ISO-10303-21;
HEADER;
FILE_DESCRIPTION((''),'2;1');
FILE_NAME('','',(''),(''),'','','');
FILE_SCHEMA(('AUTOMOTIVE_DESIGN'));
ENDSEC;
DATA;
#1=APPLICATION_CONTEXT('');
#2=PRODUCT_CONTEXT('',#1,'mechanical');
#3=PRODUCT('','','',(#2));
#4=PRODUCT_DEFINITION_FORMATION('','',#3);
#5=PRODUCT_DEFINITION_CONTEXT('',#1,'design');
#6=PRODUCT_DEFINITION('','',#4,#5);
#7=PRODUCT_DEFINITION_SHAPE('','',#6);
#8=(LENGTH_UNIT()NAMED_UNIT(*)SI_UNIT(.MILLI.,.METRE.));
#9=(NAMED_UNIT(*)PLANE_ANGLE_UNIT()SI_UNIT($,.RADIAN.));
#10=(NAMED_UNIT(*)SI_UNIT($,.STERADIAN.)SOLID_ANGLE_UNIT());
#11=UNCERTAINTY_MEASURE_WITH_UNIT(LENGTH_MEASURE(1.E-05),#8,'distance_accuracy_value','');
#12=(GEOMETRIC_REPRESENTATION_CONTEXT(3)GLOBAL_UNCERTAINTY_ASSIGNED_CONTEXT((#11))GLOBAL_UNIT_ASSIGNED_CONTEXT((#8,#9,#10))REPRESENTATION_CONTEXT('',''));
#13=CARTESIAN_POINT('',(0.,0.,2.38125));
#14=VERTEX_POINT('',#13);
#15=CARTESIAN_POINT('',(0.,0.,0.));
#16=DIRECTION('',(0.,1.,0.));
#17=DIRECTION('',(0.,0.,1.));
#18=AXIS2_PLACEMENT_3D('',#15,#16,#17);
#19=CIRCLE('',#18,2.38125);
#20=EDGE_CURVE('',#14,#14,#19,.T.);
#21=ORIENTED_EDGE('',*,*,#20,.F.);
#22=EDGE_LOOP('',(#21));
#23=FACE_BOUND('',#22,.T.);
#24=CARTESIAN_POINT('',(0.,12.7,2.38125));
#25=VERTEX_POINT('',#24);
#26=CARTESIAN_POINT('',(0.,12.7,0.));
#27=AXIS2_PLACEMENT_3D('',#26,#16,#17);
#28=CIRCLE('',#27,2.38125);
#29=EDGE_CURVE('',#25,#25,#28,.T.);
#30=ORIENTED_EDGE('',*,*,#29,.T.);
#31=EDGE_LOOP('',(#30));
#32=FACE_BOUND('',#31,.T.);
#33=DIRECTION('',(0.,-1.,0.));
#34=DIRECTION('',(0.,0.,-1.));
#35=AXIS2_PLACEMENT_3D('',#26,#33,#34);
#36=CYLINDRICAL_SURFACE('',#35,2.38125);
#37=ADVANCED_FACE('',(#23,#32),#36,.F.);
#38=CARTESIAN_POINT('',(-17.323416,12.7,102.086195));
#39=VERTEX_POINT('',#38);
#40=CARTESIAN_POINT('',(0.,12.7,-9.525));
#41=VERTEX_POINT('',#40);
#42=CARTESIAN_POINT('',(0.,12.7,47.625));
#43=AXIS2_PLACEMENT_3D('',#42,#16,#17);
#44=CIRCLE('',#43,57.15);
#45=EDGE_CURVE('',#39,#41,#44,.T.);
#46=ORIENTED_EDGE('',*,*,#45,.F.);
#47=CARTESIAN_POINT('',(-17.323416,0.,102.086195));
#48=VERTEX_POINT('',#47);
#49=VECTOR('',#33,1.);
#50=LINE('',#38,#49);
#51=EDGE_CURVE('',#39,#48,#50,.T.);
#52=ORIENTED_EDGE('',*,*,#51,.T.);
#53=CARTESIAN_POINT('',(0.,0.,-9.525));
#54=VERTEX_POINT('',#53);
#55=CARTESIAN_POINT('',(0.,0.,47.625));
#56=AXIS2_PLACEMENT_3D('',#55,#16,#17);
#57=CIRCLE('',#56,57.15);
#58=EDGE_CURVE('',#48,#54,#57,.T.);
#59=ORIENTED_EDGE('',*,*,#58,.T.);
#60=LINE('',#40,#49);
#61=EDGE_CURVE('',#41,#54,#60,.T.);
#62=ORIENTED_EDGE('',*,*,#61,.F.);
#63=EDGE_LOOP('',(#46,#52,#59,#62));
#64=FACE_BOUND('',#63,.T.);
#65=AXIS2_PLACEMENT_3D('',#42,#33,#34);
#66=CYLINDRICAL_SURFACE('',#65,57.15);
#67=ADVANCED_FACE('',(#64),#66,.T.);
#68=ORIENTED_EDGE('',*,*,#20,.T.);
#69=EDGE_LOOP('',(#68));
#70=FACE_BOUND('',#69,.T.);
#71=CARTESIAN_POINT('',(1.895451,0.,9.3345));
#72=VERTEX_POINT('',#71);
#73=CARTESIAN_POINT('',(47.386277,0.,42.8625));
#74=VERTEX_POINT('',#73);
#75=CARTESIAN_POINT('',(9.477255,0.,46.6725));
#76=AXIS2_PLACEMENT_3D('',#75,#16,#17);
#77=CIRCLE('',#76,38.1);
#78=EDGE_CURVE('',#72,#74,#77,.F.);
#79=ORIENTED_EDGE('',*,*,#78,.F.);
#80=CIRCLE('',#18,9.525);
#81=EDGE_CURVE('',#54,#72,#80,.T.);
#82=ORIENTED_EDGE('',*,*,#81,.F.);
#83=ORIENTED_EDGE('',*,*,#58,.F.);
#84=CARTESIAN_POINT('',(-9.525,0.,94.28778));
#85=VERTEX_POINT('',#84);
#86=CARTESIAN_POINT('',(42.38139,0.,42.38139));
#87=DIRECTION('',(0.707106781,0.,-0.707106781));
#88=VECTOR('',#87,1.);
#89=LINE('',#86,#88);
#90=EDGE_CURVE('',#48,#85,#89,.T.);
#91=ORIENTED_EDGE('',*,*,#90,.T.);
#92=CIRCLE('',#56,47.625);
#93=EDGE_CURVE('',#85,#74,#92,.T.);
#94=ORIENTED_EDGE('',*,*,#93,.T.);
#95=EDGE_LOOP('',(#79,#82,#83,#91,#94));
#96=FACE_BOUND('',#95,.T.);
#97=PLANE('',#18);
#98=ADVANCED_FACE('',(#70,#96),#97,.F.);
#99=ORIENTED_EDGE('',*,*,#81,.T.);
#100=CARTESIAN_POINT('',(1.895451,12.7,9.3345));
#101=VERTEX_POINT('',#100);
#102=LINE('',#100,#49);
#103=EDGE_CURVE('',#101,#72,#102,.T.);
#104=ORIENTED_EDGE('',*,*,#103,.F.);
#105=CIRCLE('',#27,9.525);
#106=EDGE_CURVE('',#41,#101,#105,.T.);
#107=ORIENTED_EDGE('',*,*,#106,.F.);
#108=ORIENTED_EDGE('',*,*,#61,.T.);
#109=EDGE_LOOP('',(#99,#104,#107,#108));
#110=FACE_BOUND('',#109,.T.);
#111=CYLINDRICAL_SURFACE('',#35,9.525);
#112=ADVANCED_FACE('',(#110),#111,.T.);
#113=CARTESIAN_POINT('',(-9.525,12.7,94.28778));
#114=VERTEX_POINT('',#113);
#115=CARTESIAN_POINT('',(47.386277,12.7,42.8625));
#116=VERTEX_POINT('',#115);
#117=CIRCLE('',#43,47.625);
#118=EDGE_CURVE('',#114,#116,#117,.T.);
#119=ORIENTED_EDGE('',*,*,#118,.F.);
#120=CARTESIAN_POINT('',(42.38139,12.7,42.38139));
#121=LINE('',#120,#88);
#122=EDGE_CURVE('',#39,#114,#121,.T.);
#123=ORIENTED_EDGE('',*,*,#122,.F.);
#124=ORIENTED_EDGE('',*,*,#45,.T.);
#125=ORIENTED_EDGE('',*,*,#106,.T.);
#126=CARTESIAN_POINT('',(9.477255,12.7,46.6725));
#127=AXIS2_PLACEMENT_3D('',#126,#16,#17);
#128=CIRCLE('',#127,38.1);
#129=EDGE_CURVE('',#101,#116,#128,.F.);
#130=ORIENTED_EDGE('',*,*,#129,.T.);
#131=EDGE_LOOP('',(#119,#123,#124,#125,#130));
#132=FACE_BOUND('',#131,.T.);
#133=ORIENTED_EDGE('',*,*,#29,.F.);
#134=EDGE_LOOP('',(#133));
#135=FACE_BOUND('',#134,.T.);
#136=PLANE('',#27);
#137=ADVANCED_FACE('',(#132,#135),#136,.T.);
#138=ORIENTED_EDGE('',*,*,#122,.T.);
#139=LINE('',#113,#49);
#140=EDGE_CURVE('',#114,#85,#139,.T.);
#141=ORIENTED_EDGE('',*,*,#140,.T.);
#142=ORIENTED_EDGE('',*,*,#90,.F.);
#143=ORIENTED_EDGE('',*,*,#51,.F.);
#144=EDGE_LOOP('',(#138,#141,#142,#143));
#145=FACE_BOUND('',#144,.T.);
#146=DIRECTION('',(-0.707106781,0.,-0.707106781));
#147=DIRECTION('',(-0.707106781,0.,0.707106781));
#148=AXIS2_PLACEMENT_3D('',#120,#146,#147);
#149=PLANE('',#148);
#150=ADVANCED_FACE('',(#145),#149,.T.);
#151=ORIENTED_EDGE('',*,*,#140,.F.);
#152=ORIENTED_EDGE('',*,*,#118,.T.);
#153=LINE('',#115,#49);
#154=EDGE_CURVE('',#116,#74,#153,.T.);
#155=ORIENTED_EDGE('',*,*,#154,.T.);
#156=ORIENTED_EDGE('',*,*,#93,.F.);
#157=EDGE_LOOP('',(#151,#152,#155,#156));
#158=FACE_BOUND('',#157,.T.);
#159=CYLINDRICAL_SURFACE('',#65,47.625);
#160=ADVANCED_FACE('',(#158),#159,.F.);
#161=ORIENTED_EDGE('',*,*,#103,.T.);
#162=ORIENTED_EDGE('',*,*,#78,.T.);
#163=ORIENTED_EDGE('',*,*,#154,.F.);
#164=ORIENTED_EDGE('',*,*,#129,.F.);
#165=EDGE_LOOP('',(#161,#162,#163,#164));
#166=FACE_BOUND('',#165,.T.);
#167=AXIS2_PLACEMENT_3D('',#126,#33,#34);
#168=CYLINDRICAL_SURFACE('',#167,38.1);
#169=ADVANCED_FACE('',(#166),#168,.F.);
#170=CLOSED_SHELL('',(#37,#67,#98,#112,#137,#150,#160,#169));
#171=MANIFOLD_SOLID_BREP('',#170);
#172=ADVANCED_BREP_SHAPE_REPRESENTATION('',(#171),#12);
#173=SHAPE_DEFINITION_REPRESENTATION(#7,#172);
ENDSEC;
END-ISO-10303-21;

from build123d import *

# Parameters (mm, degrees)
SKETCH1_R           = 2.38125
BOSS_EXTRUDE1_DEPTH = 12.7


with BuildPart() as part:
    # Sketch1 → Boss-Extrude1 (new body)
    with BuildSketch(Plane(origin=(0, 0, 0), x_dir=(1, 0, 0), z_dir=(0, 1, 0))):
        with BuildLine():
            Line((-17.323415526, -102.086195126), (-9.525, -94.2877796))
            ThreePointArc((-9.525, -94.2877796), (31.929749665, -82.960983237), (47.386276692, -42.8625))
            ThreePointArc((47.386276692, -42.8625), (32.081828327, -16.002591621), (1.895451068, -9.3345))
            ThreePointArc((1.895451068, -9.3345), (-9.477255338, -0.9525), (0, 9.525))
            ThreePointArc((0, 9.525), (56.473798356, -56.390420656), (-17.323415526, -102.086195126))
        make_face()
        with Locations(Location((0, 0, 0), (0, 0, 270))):
            Circle(SKETCH1_R, mode=Mode.SUBTRACT)
    extrude(amount=BOSS_EXTRUDE1_DEPTH)


solid = part.part
